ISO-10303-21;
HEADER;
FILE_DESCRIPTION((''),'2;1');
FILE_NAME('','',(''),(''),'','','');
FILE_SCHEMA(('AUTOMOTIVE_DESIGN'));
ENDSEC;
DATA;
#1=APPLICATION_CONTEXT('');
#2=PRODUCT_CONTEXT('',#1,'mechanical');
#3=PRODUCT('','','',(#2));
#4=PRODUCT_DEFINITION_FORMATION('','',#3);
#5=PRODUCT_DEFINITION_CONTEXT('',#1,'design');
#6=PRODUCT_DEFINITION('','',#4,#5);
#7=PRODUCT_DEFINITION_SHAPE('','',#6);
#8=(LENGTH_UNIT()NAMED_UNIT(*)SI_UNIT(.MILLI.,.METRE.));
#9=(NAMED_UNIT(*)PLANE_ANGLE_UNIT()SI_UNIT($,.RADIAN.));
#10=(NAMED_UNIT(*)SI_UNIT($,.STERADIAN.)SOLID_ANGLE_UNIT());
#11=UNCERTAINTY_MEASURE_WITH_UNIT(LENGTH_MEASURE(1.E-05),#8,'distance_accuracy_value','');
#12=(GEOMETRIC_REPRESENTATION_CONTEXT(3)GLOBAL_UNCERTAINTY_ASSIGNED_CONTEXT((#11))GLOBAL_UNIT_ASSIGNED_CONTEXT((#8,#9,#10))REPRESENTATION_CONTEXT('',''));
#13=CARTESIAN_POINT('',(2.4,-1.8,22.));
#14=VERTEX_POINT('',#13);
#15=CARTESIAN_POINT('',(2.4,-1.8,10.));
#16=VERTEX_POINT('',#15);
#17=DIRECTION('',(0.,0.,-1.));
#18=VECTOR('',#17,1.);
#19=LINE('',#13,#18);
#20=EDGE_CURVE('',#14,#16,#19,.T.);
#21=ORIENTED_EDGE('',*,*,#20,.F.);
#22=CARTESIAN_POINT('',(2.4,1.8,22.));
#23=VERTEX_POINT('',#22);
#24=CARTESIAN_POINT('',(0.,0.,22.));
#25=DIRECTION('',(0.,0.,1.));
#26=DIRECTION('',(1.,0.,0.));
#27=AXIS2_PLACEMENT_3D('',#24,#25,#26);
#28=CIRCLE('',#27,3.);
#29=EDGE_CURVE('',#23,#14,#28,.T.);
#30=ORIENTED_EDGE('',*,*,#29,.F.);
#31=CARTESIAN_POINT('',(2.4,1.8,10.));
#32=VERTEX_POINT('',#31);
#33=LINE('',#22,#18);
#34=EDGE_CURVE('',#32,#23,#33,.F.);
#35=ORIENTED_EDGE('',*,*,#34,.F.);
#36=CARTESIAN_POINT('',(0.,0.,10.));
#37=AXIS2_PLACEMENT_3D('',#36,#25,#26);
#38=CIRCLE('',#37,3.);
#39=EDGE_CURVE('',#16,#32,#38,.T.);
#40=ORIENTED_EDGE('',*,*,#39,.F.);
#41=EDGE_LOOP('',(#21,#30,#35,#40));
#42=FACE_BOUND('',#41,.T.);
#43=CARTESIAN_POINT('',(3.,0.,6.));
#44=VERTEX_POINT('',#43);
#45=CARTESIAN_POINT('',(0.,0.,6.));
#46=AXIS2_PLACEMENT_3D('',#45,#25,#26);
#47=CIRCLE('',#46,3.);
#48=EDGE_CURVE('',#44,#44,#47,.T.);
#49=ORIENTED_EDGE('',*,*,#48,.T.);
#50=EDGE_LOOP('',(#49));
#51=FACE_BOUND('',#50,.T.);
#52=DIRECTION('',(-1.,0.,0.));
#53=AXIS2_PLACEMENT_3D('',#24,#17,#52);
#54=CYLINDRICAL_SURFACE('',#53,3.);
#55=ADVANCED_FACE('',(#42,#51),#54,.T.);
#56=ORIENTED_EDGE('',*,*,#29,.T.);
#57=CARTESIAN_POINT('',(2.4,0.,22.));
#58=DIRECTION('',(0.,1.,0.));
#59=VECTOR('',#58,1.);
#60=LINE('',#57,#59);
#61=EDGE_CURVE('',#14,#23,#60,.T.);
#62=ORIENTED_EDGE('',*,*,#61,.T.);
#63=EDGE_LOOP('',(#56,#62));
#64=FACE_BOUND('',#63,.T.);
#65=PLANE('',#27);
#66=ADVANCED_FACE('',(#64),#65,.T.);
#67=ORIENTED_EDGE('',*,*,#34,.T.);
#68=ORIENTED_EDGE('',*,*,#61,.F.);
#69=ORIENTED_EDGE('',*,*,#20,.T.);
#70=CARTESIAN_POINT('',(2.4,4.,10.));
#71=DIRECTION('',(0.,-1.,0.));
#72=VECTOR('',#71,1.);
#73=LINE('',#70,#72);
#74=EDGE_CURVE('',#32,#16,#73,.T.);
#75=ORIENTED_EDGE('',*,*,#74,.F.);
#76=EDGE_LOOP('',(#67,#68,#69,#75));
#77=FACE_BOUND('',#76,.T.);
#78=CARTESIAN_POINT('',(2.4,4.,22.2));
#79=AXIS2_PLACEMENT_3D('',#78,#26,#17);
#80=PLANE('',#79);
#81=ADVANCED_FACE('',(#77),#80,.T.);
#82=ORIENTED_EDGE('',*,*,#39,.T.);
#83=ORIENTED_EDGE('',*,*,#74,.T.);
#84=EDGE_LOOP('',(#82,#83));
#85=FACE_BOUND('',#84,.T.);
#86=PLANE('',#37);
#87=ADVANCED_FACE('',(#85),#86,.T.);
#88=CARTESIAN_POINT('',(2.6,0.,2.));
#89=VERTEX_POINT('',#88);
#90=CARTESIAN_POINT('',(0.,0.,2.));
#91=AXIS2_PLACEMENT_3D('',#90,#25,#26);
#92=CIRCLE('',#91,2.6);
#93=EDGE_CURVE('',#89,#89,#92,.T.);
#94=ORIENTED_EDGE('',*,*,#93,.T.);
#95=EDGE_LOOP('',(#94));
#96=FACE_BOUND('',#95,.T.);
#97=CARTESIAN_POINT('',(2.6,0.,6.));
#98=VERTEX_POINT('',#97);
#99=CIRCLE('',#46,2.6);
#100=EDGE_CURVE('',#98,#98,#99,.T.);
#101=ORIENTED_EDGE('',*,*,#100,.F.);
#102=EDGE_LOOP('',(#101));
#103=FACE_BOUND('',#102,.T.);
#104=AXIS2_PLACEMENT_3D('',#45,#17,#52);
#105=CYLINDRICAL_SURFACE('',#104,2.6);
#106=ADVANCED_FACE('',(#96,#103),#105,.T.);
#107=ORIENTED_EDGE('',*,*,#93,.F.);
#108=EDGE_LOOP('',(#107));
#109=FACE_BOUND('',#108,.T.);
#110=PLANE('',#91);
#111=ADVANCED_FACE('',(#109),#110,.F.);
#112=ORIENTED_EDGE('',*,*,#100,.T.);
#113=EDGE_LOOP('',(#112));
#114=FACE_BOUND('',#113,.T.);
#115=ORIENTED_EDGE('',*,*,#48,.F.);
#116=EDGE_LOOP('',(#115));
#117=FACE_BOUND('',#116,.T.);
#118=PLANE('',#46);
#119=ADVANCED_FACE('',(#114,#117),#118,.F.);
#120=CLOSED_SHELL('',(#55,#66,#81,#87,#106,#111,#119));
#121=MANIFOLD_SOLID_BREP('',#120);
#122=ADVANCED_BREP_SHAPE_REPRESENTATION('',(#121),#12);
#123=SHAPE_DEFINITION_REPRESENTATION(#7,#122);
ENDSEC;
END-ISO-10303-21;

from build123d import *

# Parameters (mm, degrees)
F_01_START                              = 6
S01_OUTPUT_SHAFT_R                      = 3
F_01_OUTPUT_SHAFT_DEPTH                 = 16
F_02_START                              = 10
S02_D_FLAT_ON_EXPOSED_TIP_W             = 1.6
S02_D_FLAT_ON_EXPOSED_TIP_H             = 8
F_02_D_FLAT_ON_EXPOSED_TIP_DEPTH        = 12.2
F_03_START                              = 2
S03_OUTPUT_PILOT_IN_GEARBOX_NOSE_R      = 2.6
F_03_OUTPUT_PILOT_IN_GEARBOX_NOSE_DEPTH = 4


with BuildPart() as part:
    # S01 - Output shaft → 01 - Output shaft (new body)
    with BuildSketch(Plane.XY.offset(F_01_START)):
        Circle(S01_OUTPUT_SHAFT_R)
    extrude(amount=F_01_OUTPUT_SHAFT_DEPTH)

    # S02 - D flat on exposed tip → 02 - D flat on exposed tip (cut)
    with BuildSketch(Plane.XY.offset(F_02_START)):
        with Locations((3.2, 0)):
            Rectangle(S02_D_FLAT_ON_EXPOSED_TIP_W, S02_D_FLAT_ON_EXPOSED_TIP_H)
    extrude(amount=F_02_D_FLAT_ON_EXPOSED_TIP_DEPTH, mode=Mode.SUBTRACT)

    # S03 - Output pilot in gearbox nose → 03 - Output pilot in gearbox nose (add)
    with BuildSketch(Plane.XY.offset(F_03_START)):
        Circle(S03_OUTPUT_PILOT_IN_GEARBOX_NOSE_R)
    extrude(amount=F_03_OUTPUT_PILOT_IN_GEARBOX_NOSE_DEPTH)


solid = part.part
